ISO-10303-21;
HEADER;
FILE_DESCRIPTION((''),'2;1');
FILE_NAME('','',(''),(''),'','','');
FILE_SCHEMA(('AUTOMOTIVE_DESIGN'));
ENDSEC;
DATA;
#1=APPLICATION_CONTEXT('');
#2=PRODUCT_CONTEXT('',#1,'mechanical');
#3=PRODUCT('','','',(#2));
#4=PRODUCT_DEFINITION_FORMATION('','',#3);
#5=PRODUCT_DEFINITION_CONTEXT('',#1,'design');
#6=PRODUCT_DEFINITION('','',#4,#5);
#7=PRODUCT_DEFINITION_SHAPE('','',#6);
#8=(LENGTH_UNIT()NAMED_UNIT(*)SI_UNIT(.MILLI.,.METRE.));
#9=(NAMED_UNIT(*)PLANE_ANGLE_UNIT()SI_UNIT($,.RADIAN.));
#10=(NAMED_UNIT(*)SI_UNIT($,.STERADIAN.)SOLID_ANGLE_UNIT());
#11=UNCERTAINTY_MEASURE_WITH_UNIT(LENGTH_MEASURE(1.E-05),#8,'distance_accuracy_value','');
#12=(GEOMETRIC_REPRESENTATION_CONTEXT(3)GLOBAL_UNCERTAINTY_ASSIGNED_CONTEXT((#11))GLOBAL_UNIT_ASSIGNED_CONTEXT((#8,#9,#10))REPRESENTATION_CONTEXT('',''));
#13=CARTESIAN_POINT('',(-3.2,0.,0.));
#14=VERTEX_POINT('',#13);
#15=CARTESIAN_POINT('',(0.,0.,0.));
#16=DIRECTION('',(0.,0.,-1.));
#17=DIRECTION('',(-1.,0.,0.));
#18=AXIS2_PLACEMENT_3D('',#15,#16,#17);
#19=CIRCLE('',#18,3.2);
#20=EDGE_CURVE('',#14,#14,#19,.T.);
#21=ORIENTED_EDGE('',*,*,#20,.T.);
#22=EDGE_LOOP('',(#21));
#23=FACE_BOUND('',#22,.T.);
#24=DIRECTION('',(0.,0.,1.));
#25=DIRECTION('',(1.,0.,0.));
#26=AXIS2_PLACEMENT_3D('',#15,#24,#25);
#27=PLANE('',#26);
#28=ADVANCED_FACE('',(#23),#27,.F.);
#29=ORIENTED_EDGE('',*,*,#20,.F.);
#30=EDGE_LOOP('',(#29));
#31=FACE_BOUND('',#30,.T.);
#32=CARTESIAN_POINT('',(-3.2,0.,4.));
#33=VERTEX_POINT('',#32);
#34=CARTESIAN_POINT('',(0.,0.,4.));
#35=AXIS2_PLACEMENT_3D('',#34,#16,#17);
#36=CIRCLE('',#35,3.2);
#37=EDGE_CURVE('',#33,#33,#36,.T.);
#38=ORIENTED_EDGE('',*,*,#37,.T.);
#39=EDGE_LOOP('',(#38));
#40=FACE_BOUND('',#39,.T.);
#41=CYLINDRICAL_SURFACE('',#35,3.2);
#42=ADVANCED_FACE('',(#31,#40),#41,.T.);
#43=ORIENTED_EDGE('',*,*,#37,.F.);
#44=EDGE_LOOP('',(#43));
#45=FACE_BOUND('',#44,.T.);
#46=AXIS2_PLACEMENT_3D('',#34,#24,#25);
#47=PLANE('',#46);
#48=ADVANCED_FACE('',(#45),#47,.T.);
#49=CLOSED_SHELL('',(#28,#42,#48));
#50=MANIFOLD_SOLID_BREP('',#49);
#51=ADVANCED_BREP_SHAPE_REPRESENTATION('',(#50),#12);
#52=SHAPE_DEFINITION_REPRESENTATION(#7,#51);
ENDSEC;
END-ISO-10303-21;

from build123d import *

# Parameters (mm, degrees)
SKETCH_1_R          = 6.5
EXTRUDE_1_DEPTH     = 4
SKETCH_2_OUTSIDE_W  = 18.762
SKETCH_2_OUTSIDE_H  = 18.762
SKETCH_2_OUTSIDE_R  = 3.2
CUT_EXTRUDE_1_DEPTH = 4


with BuildPart() as part:
    # 草图1 → 凸台-拉伸1 (new body)
    with BuildSketch(Plane.XY):
        Circle(SKETCH_1_R)
    extrude(amount=EXTRUDE_1_DEPTH)

    # 草图2 outside → 切除-拉伸1 (cut)
    with BuildSketch(Plane(origin=(0, 0, 0), x_dir=(-1, 0, 0), z_dir=(0, 0, -1))):
        Rectangle(SKETCH_2_OUTSIDE_W, SKETCH_2_OUTSIDE_H)
        Circle(SKETCH_2_OUTSIDE_R, mode=Mode.SUBTRACT)
    extrude(amount=-CUT_EXTRUDE_1_DEPTH, mode=Mode.SUBTRACT)


solid = part.part
